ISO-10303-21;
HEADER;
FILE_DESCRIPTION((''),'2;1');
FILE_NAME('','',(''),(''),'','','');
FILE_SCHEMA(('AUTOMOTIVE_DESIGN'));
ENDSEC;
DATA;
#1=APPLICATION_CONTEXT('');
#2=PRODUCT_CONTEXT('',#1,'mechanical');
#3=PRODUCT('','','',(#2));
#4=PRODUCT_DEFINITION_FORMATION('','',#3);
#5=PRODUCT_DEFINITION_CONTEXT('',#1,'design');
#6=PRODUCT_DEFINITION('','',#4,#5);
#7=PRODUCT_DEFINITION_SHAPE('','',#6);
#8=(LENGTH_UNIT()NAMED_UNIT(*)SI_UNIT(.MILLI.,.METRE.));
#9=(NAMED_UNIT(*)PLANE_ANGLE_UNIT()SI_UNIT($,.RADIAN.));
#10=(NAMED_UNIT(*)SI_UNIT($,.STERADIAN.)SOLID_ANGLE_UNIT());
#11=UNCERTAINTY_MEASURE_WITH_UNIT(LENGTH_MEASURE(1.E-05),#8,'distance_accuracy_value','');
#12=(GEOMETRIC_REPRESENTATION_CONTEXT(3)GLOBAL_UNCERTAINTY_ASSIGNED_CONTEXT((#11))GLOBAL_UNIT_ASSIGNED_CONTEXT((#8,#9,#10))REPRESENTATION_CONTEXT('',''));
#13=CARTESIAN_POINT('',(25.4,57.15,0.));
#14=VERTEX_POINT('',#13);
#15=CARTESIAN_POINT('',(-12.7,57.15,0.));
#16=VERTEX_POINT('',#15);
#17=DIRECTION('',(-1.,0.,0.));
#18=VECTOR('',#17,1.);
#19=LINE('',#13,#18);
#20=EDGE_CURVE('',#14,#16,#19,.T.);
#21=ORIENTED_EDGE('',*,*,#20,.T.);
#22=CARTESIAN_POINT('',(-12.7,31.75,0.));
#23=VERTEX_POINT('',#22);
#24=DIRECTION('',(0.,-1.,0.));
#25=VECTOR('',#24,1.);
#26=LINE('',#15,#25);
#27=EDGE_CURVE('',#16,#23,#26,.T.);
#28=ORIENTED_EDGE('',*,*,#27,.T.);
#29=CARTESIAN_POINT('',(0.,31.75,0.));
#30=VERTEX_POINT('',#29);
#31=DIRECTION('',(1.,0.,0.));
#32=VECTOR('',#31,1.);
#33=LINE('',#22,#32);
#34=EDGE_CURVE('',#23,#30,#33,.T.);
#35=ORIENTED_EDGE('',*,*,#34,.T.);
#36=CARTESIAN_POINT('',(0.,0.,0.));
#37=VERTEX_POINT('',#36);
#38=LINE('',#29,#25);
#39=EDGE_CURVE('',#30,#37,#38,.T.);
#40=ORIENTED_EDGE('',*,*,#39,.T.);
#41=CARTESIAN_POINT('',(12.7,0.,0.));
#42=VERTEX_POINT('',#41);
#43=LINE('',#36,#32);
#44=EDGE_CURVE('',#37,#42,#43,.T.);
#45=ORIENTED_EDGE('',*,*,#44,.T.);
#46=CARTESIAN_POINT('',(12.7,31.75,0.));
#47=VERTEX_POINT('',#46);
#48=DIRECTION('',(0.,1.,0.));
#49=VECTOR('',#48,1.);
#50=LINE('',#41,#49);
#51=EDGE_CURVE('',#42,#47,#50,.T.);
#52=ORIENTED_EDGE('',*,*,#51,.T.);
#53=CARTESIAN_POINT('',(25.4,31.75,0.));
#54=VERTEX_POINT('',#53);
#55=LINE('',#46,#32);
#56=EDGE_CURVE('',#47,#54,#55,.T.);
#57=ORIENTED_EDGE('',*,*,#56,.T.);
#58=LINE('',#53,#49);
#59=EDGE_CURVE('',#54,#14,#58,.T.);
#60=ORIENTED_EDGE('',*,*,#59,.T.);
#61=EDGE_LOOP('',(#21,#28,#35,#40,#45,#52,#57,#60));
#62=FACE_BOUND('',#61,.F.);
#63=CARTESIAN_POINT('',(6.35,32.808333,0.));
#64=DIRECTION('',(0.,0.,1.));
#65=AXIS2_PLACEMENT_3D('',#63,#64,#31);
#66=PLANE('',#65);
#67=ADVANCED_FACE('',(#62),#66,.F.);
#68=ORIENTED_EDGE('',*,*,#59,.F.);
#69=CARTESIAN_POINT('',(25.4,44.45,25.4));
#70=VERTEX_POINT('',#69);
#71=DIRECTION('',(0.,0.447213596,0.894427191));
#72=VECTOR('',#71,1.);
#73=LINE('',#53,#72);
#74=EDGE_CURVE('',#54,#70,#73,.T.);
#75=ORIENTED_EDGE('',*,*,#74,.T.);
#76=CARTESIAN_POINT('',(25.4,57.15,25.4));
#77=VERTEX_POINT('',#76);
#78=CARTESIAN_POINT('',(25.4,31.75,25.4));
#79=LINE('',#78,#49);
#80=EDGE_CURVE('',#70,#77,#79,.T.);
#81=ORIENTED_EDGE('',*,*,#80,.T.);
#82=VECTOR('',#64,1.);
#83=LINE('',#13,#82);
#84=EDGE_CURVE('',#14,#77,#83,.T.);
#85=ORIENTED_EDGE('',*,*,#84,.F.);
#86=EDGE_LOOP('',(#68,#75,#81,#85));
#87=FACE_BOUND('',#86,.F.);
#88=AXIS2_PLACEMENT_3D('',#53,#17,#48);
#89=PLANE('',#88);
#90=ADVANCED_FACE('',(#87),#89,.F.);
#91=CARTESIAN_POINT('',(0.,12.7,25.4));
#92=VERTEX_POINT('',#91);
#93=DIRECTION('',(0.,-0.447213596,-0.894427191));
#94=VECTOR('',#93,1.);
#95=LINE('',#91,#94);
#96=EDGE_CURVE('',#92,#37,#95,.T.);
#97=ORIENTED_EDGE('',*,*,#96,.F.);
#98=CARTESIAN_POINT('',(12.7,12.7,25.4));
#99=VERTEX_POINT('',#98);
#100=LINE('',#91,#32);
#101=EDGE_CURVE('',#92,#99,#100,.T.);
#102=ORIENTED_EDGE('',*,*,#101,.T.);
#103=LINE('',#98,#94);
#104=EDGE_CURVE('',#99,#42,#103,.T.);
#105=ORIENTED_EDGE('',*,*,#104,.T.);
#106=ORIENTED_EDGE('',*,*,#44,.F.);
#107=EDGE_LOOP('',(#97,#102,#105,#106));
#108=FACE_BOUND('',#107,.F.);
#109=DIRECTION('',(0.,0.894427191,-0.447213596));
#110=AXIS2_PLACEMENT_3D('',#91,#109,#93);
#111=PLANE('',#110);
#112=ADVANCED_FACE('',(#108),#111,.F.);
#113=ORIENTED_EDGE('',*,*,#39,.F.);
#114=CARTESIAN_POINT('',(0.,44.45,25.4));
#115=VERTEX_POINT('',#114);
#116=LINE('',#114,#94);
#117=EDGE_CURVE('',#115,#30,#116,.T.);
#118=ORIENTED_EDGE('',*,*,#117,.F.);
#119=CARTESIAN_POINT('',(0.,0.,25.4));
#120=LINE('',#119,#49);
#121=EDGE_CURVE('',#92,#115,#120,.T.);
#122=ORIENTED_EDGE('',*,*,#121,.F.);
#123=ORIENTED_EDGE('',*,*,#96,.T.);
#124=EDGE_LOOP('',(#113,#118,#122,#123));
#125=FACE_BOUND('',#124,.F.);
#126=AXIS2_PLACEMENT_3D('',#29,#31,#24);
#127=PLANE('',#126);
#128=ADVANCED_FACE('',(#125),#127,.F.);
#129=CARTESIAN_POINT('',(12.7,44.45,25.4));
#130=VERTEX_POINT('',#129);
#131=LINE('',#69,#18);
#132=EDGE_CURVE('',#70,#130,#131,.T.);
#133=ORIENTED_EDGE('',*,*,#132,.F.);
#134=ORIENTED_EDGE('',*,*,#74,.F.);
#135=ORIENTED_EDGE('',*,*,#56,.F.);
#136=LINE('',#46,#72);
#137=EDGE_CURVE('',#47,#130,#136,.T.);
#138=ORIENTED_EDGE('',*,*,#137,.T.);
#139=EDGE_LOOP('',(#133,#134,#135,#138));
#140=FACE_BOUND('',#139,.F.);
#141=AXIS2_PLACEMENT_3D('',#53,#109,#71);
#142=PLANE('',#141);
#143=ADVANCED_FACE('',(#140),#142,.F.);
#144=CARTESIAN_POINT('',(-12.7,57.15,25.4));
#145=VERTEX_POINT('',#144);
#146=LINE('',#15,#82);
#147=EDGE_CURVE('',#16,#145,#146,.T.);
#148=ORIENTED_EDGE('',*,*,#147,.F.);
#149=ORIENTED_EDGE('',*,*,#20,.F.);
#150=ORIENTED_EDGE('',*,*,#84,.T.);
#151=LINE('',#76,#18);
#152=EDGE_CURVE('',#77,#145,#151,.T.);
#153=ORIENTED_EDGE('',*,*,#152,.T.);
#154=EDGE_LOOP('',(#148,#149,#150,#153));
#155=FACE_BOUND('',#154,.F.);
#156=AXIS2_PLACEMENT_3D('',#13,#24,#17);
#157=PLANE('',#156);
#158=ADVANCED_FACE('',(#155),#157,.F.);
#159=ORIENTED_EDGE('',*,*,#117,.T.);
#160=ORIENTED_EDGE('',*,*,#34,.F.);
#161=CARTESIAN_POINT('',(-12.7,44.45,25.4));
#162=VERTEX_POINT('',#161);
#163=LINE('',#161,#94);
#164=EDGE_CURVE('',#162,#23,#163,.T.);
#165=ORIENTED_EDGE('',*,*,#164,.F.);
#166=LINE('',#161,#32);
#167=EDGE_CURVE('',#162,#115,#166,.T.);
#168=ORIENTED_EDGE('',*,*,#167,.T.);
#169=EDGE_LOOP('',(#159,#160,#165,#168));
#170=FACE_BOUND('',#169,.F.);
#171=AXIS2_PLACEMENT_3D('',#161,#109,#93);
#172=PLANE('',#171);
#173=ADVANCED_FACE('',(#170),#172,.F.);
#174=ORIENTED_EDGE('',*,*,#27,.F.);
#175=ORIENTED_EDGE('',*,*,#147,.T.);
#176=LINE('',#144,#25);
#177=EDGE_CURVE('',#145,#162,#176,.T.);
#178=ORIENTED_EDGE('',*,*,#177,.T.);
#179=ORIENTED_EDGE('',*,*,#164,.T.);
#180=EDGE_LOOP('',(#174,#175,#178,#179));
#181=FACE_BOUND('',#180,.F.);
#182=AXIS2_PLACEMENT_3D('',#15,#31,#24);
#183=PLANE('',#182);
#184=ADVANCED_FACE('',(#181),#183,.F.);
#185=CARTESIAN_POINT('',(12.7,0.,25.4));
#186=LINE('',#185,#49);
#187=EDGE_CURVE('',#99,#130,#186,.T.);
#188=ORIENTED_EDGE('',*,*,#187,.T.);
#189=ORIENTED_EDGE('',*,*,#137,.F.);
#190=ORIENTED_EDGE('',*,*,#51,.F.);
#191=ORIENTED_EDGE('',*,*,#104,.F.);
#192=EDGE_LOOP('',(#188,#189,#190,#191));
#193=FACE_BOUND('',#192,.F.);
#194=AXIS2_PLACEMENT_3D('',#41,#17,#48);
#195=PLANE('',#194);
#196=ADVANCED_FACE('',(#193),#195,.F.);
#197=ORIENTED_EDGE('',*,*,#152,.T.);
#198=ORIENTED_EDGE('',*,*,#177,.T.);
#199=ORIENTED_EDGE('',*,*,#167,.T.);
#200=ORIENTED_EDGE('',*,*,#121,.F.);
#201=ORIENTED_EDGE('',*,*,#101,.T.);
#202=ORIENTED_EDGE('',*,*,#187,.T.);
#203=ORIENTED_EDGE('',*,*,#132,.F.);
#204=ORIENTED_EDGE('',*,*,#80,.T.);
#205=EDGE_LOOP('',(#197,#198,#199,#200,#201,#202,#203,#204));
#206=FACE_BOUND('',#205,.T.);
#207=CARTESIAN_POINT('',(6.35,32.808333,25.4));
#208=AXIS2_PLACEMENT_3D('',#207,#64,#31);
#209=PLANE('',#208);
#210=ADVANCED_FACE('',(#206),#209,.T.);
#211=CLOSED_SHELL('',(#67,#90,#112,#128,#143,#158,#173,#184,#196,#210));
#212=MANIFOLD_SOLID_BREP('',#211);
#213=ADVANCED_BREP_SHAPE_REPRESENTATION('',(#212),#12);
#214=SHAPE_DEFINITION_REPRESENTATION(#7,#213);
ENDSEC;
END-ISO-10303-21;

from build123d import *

# Parameters (mm, degrees)
F1_DEPTH = 25.4
F3_DEPTH = 12.7
F5_DEPTH = 12.7
F7_DEPTH = 12.7


with BuildPart() as f1:
    # F0 (on Top) → F1 (new body)
    with BuildSketch(Plane.XY):
        Polygon((-12.7, 31.75), (0, 31.75), (0, 0), (12.7, 0), (12.7, 31.75), (25.4, 31.75), (25.4, 57.15), (-12.7, 57.15), align=None)
    extrude(amount=F1_DEPTH)

    # F2 (on face) → F3 (cut)
    with BuildSketch(Plane(origin=(-12.7, 0, 0), x_dir=(0, -1, 0), z_dir=(-1, 0, 0))):
        Polygon((-31.75, 25.4), (-44.45, 25.4), (-31.75, 0), align=None)
    extrude(amount=-F3_DEPTH, mode=Mode.SUBTRACT)

    # F4 (on face) → F5 (cut)
    with BuildSketch(Plane.YZ.offset(25.4)):
        Polygon((31.75, 0), (44.45, 25.4), (31.75, 25.4), align=None)
    extrude(amount=-F5_DEPTH, mode=Mode.SUBTRACT)

    # F6 (on face) → F7 (cut)
    with BuildSketch(Plane(origin=(0, 0, 0), x_dir=(0, -1, 0), z_dir=(-1, 0, 0))):
        Polygon((0, 25.4), (-12.7, 25.4), (0, 0), align=None)
    extrude(amount=-F7_DEPTH, mode=Mode.SUBTRACT)


solid = f1.part
